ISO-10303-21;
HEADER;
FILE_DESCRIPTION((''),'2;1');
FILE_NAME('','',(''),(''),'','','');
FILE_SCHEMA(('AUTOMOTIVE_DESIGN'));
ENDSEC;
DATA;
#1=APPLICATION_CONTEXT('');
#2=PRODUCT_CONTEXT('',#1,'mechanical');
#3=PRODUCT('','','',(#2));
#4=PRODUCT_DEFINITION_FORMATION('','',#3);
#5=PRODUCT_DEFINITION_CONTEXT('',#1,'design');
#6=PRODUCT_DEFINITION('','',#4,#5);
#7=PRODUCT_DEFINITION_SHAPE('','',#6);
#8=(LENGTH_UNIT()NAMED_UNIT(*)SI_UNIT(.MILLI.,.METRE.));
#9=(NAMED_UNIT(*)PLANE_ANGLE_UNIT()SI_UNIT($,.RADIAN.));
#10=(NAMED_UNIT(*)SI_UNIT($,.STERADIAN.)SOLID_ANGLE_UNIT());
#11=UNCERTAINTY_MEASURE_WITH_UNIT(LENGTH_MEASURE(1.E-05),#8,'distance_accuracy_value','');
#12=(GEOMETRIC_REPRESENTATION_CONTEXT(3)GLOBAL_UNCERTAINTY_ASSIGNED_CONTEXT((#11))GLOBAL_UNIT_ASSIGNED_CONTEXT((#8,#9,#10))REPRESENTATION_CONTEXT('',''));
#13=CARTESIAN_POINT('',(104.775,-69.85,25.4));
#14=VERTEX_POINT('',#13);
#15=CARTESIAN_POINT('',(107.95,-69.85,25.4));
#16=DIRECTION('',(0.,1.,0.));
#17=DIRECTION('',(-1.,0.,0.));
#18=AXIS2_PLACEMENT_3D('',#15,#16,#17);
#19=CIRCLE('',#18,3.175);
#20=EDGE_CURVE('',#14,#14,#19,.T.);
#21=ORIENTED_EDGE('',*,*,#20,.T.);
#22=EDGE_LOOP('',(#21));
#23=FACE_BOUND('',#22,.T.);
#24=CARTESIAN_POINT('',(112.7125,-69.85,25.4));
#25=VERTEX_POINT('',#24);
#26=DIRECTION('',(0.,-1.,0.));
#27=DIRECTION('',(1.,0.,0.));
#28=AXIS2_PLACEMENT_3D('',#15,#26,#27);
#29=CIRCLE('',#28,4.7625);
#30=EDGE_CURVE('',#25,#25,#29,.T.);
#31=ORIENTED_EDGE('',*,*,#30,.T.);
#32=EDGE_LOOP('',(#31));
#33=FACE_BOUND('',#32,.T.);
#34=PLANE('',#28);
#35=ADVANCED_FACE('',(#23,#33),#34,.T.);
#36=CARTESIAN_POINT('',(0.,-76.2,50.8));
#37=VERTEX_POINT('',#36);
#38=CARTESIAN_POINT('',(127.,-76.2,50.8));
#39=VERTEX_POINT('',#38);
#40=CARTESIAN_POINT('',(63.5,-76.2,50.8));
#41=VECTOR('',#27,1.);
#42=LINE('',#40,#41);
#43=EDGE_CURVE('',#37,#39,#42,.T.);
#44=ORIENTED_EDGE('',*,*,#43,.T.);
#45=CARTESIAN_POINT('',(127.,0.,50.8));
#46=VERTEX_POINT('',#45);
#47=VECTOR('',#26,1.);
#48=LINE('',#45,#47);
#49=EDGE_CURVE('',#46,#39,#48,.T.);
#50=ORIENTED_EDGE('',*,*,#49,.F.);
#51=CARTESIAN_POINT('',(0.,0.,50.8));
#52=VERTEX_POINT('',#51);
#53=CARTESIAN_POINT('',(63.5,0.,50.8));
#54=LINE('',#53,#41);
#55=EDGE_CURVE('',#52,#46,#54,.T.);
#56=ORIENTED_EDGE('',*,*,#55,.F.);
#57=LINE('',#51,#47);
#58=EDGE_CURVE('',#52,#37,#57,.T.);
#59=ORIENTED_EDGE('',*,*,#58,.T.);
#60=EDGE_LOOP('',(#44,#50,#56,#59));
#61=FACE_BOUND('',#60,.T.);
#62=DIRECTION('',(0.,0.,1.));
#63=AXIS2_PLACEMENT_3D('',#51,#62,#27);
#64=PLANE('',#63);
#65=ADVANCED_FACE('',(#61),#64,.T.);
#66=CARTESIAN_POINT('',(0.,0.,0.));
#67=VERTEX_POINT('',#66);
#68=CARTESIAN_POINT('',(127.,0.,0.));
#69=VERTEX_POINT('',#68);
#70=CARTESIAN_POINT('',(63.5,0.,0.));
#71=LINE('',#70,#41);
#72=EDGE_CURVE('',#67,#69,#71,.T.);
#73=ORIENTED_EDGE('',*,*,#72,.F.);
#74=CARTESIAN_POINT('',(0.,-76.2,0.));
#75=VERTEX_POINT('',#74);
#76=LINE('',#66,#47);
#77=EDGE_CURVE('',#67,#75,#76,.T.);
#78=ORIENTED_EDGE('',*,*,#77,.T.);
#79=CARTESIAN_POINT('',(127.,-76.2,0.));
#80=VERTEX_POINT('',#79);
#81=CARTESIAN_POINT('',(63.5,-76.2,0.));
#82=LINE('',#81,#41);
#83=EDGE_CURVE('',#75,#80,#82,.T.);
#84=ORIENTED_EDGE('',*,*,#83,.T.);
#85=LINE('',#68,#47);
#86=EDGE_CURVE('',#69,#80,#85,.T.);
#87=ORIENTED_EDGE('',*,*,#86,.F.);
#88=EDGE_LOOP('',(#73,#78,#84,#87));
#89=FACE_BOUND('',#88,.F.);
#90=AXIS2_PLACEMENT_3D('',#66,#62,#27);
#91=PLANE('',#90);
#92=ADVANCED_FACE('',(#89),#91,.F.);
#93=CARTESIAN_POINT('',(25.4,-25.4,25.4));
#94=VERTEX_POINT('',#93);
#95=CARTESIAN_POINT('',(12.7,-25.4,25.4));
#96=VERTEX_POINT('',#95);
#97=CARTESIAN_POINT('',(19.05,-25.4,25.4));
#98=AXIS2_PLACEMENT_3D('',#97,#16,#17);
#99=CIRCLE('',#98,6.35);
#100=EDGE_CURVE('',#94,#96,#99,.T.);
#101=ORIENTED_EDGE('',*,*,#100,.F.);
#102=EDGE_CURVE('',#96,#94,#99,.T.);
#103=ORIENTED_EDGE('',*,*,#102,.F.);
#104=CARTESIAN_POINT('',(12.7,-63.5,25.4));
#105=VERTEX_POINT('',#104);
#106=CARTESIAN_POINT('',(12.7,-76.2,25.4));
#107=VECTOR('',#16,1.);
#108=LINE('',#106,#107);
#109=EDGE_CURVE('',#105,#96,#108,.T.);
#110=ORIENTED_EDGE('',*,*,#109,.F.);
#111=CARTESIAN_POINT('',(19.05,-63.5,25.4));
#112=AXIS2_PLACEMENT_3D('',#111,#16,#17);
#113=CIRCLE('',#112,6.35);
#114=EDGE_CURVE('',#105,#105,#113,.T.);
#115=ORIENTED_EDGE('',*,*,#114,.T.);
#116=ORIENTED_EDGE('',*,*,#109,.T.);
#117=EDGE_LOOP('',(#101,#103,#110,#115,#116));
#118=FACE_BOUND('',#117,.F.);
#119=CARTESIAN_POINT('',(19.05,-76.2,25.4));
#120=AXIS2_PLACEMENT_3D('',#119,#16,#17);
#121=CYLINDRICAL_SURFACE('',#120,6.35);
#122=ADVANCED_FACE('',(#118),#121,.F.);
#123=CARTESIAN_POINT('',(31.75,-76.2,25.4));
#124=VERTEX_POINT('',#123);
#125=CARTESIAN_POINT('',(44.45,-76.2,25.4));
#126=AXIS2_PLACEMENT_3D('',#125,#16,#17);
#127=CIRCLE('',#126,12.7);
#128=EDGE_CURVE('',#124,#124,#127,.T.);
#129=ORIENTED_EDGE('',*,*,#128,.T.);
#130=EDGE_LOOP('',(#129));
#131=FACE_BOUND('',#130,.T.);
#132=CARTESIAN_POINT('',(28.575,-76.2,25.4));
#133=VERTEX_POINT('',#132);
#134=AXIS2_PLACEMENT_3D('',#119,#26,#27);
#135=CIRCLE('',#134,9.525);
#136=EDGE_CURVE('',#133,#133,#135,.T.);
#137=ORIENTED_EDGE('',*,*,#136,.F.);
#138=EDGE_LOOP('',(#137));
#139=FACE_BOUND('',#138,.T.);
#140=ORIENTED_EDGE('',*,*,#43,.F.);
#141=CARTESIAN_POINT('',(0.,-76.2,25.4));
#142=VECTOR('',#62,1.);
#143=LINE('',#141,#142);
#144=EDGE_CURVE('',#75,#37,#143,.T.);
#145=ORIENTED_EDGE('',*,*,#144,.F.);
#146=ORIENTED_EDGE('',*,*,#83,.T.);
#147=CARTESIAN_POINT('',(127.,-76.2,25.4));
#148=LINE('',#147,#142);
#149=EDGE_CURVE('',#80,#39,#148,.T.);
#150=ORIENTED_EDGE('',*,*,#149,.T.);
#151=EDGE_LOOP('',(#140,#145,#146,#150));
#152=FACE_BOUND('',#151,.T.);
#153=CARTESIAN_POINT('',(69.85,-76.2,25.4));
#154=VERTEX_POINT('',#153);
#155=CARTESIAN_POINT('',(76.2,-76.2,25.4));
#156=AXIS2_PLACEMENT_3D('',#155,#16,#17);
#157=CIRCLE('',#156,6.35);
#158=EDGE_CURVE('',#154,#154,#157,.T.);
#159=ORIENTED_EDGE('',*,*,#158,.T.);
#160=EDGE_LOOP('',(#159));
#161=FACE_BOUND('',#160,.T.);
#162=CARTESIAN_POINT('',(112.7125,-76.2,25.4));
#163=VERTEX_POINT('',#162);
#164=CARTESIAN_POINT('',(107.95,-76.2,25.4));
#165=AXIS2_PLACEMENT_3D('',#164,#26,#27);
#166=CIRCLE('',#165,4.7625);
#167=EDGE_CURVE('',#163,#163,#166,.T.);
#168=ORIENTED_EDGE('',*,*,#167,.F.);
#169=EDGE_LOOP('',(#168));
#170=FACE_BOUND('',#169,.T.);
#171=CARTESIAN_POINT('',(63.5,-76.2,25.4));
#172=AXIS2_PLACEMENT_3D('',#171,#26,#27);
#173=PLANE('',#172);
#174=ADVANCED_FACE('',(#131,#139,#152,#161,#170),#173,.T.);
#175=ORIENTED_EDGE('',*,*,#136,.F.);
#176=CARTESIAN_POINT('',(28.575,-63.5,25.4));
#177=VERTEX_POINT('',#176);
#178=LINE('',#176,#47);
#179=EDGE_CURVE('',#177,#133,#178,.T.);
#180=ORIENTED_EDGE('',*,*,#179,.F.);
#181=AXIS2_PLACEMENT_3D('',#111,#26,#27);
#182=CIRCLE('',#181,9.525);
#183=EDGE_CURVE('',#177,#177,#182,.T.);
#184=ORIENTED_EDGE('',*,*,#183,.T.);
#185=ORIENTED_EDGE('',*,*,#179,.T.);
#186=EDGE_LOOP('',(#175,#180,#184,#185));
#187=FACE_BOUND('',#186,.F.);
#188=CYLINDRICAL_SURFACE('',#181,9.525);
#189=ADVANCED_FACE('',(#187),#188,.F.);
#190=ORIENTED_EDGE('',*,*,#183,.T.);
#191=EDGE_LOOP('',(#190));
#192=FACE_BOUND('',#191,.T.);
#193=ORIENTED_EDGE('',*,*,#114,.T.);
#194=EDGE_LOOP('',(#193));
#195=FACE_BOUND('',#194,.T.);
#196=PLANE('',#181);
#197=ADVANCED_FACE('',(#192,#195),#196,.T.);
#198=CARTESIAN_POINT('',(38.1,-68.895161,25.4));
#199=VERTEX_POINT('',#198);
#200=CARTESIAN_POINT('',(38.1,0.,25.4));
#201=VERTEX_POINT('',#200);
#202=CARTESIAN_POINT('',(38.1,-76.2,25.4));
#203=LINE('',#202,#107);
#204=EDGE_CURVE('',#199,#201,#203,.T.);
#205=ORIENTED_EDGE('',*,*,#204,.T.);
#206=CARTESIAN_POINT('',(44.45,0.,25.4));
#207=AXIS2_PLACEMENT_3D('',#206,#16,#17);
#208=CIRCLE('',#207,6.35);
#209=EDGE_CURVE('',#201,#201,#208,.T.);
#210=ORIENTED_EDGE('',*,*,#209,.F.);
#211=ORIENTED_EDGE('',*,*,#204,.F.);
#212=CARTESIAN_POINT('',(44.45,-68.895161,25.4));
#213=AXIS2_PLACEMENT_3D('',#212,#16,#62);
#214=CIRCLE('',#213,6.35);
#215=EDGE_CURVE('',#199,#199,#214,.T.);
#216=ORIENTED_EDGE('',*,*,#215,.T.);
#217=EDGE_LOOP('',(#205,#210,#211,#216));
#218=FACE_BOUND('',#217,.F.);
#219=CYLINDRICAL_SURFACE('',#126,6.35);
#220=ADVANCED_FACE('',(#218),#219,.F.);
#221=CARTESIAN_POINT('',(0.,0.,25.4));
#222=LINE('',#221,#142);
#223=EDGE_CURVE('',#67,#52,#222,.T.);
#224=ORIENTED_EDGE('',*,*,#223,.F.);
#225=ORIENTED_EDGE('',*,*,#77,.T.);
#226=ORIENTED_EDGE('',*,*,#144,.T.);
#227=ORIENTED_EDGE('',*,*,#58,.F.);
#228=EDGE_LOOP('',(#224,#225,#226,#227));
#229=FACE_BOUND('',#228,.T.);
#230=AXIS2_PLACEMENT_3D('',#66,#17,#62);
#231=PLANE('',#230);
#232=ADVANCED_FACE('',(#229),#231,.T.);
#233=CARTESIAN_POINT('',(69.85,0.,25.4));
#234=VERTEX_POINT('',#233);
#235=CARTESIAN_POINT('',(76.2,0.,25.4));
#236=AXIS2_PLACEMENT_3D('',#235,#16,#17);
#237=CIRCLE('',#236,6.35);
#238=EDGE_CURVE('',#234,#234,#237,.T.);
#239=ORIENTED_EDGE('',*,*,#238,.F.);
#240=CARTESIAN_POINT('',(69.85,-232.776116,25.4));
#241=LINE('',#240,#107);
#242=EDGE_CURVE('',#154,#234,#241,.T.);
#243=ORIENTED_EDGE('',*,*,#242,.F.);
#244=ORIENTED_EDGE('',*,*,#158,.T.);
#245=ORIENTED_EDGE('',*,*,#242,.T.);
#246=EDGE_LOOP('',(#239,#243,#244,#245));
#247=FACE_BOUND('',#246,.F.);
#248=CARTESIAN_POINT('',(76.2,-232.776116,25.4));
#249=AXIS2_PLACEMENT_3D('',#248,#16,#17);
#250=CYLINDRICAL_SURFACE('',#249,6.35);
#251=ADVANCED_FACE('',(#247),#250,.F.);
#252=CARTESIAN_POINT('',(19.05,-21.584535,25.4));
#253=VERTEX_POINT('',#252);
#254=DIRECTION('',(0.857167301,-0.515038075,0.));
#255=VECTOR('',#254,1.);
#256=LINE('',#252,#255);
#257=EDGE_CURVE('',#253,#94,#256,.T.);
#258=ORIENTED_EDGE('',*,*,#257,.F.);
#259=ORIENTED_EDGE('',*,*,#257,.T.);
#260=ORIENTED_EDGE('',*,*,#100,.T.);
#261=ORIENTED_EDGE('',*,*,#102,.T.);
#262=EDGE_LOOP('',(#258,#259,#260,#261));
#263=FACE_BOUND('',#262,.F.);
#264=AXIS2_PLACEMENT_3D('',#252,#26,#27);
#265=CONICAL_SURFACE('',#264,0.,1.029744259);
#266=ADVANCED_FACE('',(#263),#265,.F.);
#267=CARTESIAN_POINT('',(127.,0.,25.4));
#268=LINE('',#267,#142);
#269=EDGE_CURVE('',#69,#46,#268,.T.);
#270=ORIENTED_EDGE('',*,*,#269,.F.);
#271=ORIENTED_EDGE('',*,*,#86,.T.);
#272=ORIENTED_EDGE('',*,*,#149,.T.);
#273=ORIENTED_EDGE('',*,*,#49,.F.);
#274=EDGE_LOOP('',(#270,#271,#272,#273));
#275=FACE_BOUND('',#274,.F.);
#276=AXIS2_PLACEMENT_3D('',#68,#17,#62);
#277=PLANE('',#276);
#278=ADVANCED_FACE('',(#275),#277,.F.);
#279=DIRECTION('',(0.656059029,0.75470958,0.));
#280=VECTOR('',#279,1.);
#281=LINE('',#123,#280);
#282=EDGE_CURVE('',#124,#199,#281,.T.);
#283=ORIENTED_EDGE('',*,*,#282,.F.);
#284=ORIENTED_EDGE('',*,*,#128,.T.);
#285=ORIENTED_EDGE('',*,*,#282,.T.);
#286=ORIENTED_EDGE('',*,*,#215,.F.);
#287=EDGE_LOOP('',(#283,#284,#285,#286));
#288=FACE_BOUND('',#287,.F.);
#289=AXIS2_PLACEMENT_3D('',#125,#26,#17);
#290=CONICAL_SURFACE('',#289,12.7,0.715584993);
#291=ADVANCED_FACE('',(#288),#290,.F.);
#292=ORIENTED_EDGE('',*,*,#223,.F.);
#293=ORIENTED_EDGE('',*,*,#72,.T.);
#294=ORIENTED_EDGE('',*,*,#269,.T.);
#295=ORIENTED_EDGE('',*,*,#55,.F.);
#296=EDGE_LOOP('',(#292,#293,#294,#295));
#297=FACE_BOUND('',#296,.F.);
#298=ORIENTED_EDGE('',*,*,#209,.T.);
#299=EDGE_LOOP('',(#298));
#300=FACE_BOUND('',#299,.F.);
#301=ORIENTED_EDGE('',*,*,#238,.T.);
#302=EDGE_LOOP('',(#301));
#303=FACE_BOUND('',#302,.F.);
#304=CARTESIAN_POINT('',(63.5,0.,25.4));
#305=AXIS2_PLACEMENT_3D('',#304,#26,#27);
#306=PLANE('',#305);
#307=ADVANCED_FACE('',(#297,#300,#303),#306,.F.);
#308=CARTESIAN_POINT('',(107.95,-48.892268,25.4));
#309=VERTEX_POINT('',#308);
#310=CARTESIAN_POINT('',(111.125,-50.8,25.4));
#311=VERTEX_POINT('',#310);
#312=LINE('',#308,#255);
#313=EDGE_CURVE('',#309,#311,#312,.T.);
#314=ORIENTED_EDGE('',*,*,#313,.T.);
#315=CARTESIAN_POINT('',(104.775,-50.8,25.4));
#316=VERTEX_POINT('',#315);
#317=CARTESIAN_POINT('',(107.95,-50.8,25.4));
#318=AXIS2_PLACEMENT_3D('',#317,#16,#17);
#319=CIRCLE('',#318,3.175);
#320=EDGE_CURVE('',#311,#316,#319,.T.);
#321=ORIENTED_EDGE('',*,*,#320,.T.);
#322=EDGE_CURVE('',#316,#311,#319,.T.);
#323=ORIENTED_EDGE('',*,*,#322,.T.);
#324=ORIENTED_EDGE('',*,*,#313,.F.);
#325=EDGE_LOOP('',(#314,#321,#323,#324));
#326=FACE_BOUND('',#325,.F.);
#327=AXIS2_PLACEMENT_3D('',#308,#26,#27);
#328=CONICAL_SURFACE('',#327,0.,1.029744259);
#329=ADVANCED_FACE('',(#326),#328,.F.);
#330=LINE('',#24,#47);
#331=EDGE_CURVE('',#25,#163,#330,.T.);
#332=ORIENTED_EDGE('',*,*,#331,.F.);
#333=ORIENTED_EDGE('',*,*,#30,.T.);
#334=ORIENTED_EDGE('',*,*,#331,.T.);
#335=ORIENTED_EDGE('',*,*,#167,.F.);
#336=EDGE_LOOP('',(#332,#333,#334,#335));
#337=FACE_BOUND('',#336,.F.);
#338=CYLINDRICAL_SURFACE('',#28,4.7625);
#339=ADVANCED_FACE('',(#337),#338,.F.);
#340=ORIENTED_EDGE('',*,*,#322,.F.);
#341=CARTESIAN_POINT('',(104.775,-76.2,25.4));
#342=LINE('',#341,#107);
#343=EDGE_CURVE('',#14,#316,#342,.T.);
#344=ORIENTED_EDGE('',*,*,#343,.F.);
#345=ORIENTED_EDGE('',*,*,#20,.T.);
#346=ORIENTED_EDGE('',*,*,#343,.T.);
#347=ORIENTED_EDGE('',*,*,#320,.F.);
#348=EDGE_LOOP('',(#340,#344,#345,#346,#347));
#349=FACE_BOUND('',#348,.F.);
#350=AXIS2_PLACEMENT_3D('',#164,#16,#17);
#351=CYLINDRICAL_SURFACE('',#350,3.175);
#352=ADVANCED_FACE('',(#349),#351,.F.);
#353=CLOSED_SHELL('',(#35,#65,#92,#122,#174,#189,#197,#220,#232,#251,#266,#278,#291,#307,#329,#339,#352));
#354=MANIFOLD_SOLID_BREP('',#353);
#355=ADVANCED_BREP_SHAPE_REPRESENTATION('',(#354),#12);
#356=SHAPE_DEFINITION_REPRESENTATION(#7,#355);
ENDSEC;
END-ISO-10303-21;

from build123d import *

# Parameters (mm, degrees)
F0_W           = 127
F0_H           = 50.8
F1_DEPTH       = 76.2
F3_D           = 12.7
F3_DEPTH       = 50.8
F3_CBORE_D     = 19.05
F3_CBORE_DEPTH = 12.7
F3_TIP         = 3.8154649308
F4_D           = 12.7
F4_CSINK_D     = 25.4
F4_CSINK_ANGLE = 82
F5_D           = 12.7
F6_D           = 6.35
F6_DEPTH       = 25.4
F6_CBORE_D     = 9.525
F6_CBORE_DEPTH = 6.35
F6_TIP         = 1.9077324654


with BuildPart() as f1:
    # F0 (on Front) → F1 (new body)
    with BuildSketch(Plane.XZ):
        with Locations((63.5, 25.4)):
            Rectangle(F0_W, F0_H)
    extrude(amount=F1_DEPTH)

    # F3
    with Locations(Plane.XZ.offset(76.2)):
        with Locations((19.05, 25.4)):
            CounterBoreHole(F3_D / 2, F3_CBORE_D / 2, F3_CBORE_DEPTH, depth=F3_DEPTH)
            with Locations((0, 0, -(F3_DEPTH + F3_TIP / 2))):  # 118° drill point
                Cone(0, F3_D / 2, F3_TIP, mode=Mode.SUBTRACT)

    # F4 (through all)
    with Locations(Plane.XZ.offset(76.2)):
        with Locations((44.45, 25.4)):
            CounterSinkHole(F4_D / 2, F4_CSINK_D / 2, counter_sink_angle=F4_CSINK_ANGLE)

    # F5 (through all)
    with Locations(Plane.XZ.offset(76.2)):
        with Locations((76.2, 25.4)):
            Hole(F5_D / 2)

    # F6
    with Locations(Plane.XZ.offset(76.2)):
        with Locations((107.95, 25.4)):
            CounterBoreHole(F6_D / 2, F6_CBORE_D / 2, F6_CBORE_DEPTH, depth=F6_DEPTH)
            with Locations((0, 0, -(F6_DEPTH + F6_TIP / 2))):  # 118° drill point
                Cone(0, F6_D / 2, F6_TIP, mode=Mode.SUBTRACT)


solid = f1.part
